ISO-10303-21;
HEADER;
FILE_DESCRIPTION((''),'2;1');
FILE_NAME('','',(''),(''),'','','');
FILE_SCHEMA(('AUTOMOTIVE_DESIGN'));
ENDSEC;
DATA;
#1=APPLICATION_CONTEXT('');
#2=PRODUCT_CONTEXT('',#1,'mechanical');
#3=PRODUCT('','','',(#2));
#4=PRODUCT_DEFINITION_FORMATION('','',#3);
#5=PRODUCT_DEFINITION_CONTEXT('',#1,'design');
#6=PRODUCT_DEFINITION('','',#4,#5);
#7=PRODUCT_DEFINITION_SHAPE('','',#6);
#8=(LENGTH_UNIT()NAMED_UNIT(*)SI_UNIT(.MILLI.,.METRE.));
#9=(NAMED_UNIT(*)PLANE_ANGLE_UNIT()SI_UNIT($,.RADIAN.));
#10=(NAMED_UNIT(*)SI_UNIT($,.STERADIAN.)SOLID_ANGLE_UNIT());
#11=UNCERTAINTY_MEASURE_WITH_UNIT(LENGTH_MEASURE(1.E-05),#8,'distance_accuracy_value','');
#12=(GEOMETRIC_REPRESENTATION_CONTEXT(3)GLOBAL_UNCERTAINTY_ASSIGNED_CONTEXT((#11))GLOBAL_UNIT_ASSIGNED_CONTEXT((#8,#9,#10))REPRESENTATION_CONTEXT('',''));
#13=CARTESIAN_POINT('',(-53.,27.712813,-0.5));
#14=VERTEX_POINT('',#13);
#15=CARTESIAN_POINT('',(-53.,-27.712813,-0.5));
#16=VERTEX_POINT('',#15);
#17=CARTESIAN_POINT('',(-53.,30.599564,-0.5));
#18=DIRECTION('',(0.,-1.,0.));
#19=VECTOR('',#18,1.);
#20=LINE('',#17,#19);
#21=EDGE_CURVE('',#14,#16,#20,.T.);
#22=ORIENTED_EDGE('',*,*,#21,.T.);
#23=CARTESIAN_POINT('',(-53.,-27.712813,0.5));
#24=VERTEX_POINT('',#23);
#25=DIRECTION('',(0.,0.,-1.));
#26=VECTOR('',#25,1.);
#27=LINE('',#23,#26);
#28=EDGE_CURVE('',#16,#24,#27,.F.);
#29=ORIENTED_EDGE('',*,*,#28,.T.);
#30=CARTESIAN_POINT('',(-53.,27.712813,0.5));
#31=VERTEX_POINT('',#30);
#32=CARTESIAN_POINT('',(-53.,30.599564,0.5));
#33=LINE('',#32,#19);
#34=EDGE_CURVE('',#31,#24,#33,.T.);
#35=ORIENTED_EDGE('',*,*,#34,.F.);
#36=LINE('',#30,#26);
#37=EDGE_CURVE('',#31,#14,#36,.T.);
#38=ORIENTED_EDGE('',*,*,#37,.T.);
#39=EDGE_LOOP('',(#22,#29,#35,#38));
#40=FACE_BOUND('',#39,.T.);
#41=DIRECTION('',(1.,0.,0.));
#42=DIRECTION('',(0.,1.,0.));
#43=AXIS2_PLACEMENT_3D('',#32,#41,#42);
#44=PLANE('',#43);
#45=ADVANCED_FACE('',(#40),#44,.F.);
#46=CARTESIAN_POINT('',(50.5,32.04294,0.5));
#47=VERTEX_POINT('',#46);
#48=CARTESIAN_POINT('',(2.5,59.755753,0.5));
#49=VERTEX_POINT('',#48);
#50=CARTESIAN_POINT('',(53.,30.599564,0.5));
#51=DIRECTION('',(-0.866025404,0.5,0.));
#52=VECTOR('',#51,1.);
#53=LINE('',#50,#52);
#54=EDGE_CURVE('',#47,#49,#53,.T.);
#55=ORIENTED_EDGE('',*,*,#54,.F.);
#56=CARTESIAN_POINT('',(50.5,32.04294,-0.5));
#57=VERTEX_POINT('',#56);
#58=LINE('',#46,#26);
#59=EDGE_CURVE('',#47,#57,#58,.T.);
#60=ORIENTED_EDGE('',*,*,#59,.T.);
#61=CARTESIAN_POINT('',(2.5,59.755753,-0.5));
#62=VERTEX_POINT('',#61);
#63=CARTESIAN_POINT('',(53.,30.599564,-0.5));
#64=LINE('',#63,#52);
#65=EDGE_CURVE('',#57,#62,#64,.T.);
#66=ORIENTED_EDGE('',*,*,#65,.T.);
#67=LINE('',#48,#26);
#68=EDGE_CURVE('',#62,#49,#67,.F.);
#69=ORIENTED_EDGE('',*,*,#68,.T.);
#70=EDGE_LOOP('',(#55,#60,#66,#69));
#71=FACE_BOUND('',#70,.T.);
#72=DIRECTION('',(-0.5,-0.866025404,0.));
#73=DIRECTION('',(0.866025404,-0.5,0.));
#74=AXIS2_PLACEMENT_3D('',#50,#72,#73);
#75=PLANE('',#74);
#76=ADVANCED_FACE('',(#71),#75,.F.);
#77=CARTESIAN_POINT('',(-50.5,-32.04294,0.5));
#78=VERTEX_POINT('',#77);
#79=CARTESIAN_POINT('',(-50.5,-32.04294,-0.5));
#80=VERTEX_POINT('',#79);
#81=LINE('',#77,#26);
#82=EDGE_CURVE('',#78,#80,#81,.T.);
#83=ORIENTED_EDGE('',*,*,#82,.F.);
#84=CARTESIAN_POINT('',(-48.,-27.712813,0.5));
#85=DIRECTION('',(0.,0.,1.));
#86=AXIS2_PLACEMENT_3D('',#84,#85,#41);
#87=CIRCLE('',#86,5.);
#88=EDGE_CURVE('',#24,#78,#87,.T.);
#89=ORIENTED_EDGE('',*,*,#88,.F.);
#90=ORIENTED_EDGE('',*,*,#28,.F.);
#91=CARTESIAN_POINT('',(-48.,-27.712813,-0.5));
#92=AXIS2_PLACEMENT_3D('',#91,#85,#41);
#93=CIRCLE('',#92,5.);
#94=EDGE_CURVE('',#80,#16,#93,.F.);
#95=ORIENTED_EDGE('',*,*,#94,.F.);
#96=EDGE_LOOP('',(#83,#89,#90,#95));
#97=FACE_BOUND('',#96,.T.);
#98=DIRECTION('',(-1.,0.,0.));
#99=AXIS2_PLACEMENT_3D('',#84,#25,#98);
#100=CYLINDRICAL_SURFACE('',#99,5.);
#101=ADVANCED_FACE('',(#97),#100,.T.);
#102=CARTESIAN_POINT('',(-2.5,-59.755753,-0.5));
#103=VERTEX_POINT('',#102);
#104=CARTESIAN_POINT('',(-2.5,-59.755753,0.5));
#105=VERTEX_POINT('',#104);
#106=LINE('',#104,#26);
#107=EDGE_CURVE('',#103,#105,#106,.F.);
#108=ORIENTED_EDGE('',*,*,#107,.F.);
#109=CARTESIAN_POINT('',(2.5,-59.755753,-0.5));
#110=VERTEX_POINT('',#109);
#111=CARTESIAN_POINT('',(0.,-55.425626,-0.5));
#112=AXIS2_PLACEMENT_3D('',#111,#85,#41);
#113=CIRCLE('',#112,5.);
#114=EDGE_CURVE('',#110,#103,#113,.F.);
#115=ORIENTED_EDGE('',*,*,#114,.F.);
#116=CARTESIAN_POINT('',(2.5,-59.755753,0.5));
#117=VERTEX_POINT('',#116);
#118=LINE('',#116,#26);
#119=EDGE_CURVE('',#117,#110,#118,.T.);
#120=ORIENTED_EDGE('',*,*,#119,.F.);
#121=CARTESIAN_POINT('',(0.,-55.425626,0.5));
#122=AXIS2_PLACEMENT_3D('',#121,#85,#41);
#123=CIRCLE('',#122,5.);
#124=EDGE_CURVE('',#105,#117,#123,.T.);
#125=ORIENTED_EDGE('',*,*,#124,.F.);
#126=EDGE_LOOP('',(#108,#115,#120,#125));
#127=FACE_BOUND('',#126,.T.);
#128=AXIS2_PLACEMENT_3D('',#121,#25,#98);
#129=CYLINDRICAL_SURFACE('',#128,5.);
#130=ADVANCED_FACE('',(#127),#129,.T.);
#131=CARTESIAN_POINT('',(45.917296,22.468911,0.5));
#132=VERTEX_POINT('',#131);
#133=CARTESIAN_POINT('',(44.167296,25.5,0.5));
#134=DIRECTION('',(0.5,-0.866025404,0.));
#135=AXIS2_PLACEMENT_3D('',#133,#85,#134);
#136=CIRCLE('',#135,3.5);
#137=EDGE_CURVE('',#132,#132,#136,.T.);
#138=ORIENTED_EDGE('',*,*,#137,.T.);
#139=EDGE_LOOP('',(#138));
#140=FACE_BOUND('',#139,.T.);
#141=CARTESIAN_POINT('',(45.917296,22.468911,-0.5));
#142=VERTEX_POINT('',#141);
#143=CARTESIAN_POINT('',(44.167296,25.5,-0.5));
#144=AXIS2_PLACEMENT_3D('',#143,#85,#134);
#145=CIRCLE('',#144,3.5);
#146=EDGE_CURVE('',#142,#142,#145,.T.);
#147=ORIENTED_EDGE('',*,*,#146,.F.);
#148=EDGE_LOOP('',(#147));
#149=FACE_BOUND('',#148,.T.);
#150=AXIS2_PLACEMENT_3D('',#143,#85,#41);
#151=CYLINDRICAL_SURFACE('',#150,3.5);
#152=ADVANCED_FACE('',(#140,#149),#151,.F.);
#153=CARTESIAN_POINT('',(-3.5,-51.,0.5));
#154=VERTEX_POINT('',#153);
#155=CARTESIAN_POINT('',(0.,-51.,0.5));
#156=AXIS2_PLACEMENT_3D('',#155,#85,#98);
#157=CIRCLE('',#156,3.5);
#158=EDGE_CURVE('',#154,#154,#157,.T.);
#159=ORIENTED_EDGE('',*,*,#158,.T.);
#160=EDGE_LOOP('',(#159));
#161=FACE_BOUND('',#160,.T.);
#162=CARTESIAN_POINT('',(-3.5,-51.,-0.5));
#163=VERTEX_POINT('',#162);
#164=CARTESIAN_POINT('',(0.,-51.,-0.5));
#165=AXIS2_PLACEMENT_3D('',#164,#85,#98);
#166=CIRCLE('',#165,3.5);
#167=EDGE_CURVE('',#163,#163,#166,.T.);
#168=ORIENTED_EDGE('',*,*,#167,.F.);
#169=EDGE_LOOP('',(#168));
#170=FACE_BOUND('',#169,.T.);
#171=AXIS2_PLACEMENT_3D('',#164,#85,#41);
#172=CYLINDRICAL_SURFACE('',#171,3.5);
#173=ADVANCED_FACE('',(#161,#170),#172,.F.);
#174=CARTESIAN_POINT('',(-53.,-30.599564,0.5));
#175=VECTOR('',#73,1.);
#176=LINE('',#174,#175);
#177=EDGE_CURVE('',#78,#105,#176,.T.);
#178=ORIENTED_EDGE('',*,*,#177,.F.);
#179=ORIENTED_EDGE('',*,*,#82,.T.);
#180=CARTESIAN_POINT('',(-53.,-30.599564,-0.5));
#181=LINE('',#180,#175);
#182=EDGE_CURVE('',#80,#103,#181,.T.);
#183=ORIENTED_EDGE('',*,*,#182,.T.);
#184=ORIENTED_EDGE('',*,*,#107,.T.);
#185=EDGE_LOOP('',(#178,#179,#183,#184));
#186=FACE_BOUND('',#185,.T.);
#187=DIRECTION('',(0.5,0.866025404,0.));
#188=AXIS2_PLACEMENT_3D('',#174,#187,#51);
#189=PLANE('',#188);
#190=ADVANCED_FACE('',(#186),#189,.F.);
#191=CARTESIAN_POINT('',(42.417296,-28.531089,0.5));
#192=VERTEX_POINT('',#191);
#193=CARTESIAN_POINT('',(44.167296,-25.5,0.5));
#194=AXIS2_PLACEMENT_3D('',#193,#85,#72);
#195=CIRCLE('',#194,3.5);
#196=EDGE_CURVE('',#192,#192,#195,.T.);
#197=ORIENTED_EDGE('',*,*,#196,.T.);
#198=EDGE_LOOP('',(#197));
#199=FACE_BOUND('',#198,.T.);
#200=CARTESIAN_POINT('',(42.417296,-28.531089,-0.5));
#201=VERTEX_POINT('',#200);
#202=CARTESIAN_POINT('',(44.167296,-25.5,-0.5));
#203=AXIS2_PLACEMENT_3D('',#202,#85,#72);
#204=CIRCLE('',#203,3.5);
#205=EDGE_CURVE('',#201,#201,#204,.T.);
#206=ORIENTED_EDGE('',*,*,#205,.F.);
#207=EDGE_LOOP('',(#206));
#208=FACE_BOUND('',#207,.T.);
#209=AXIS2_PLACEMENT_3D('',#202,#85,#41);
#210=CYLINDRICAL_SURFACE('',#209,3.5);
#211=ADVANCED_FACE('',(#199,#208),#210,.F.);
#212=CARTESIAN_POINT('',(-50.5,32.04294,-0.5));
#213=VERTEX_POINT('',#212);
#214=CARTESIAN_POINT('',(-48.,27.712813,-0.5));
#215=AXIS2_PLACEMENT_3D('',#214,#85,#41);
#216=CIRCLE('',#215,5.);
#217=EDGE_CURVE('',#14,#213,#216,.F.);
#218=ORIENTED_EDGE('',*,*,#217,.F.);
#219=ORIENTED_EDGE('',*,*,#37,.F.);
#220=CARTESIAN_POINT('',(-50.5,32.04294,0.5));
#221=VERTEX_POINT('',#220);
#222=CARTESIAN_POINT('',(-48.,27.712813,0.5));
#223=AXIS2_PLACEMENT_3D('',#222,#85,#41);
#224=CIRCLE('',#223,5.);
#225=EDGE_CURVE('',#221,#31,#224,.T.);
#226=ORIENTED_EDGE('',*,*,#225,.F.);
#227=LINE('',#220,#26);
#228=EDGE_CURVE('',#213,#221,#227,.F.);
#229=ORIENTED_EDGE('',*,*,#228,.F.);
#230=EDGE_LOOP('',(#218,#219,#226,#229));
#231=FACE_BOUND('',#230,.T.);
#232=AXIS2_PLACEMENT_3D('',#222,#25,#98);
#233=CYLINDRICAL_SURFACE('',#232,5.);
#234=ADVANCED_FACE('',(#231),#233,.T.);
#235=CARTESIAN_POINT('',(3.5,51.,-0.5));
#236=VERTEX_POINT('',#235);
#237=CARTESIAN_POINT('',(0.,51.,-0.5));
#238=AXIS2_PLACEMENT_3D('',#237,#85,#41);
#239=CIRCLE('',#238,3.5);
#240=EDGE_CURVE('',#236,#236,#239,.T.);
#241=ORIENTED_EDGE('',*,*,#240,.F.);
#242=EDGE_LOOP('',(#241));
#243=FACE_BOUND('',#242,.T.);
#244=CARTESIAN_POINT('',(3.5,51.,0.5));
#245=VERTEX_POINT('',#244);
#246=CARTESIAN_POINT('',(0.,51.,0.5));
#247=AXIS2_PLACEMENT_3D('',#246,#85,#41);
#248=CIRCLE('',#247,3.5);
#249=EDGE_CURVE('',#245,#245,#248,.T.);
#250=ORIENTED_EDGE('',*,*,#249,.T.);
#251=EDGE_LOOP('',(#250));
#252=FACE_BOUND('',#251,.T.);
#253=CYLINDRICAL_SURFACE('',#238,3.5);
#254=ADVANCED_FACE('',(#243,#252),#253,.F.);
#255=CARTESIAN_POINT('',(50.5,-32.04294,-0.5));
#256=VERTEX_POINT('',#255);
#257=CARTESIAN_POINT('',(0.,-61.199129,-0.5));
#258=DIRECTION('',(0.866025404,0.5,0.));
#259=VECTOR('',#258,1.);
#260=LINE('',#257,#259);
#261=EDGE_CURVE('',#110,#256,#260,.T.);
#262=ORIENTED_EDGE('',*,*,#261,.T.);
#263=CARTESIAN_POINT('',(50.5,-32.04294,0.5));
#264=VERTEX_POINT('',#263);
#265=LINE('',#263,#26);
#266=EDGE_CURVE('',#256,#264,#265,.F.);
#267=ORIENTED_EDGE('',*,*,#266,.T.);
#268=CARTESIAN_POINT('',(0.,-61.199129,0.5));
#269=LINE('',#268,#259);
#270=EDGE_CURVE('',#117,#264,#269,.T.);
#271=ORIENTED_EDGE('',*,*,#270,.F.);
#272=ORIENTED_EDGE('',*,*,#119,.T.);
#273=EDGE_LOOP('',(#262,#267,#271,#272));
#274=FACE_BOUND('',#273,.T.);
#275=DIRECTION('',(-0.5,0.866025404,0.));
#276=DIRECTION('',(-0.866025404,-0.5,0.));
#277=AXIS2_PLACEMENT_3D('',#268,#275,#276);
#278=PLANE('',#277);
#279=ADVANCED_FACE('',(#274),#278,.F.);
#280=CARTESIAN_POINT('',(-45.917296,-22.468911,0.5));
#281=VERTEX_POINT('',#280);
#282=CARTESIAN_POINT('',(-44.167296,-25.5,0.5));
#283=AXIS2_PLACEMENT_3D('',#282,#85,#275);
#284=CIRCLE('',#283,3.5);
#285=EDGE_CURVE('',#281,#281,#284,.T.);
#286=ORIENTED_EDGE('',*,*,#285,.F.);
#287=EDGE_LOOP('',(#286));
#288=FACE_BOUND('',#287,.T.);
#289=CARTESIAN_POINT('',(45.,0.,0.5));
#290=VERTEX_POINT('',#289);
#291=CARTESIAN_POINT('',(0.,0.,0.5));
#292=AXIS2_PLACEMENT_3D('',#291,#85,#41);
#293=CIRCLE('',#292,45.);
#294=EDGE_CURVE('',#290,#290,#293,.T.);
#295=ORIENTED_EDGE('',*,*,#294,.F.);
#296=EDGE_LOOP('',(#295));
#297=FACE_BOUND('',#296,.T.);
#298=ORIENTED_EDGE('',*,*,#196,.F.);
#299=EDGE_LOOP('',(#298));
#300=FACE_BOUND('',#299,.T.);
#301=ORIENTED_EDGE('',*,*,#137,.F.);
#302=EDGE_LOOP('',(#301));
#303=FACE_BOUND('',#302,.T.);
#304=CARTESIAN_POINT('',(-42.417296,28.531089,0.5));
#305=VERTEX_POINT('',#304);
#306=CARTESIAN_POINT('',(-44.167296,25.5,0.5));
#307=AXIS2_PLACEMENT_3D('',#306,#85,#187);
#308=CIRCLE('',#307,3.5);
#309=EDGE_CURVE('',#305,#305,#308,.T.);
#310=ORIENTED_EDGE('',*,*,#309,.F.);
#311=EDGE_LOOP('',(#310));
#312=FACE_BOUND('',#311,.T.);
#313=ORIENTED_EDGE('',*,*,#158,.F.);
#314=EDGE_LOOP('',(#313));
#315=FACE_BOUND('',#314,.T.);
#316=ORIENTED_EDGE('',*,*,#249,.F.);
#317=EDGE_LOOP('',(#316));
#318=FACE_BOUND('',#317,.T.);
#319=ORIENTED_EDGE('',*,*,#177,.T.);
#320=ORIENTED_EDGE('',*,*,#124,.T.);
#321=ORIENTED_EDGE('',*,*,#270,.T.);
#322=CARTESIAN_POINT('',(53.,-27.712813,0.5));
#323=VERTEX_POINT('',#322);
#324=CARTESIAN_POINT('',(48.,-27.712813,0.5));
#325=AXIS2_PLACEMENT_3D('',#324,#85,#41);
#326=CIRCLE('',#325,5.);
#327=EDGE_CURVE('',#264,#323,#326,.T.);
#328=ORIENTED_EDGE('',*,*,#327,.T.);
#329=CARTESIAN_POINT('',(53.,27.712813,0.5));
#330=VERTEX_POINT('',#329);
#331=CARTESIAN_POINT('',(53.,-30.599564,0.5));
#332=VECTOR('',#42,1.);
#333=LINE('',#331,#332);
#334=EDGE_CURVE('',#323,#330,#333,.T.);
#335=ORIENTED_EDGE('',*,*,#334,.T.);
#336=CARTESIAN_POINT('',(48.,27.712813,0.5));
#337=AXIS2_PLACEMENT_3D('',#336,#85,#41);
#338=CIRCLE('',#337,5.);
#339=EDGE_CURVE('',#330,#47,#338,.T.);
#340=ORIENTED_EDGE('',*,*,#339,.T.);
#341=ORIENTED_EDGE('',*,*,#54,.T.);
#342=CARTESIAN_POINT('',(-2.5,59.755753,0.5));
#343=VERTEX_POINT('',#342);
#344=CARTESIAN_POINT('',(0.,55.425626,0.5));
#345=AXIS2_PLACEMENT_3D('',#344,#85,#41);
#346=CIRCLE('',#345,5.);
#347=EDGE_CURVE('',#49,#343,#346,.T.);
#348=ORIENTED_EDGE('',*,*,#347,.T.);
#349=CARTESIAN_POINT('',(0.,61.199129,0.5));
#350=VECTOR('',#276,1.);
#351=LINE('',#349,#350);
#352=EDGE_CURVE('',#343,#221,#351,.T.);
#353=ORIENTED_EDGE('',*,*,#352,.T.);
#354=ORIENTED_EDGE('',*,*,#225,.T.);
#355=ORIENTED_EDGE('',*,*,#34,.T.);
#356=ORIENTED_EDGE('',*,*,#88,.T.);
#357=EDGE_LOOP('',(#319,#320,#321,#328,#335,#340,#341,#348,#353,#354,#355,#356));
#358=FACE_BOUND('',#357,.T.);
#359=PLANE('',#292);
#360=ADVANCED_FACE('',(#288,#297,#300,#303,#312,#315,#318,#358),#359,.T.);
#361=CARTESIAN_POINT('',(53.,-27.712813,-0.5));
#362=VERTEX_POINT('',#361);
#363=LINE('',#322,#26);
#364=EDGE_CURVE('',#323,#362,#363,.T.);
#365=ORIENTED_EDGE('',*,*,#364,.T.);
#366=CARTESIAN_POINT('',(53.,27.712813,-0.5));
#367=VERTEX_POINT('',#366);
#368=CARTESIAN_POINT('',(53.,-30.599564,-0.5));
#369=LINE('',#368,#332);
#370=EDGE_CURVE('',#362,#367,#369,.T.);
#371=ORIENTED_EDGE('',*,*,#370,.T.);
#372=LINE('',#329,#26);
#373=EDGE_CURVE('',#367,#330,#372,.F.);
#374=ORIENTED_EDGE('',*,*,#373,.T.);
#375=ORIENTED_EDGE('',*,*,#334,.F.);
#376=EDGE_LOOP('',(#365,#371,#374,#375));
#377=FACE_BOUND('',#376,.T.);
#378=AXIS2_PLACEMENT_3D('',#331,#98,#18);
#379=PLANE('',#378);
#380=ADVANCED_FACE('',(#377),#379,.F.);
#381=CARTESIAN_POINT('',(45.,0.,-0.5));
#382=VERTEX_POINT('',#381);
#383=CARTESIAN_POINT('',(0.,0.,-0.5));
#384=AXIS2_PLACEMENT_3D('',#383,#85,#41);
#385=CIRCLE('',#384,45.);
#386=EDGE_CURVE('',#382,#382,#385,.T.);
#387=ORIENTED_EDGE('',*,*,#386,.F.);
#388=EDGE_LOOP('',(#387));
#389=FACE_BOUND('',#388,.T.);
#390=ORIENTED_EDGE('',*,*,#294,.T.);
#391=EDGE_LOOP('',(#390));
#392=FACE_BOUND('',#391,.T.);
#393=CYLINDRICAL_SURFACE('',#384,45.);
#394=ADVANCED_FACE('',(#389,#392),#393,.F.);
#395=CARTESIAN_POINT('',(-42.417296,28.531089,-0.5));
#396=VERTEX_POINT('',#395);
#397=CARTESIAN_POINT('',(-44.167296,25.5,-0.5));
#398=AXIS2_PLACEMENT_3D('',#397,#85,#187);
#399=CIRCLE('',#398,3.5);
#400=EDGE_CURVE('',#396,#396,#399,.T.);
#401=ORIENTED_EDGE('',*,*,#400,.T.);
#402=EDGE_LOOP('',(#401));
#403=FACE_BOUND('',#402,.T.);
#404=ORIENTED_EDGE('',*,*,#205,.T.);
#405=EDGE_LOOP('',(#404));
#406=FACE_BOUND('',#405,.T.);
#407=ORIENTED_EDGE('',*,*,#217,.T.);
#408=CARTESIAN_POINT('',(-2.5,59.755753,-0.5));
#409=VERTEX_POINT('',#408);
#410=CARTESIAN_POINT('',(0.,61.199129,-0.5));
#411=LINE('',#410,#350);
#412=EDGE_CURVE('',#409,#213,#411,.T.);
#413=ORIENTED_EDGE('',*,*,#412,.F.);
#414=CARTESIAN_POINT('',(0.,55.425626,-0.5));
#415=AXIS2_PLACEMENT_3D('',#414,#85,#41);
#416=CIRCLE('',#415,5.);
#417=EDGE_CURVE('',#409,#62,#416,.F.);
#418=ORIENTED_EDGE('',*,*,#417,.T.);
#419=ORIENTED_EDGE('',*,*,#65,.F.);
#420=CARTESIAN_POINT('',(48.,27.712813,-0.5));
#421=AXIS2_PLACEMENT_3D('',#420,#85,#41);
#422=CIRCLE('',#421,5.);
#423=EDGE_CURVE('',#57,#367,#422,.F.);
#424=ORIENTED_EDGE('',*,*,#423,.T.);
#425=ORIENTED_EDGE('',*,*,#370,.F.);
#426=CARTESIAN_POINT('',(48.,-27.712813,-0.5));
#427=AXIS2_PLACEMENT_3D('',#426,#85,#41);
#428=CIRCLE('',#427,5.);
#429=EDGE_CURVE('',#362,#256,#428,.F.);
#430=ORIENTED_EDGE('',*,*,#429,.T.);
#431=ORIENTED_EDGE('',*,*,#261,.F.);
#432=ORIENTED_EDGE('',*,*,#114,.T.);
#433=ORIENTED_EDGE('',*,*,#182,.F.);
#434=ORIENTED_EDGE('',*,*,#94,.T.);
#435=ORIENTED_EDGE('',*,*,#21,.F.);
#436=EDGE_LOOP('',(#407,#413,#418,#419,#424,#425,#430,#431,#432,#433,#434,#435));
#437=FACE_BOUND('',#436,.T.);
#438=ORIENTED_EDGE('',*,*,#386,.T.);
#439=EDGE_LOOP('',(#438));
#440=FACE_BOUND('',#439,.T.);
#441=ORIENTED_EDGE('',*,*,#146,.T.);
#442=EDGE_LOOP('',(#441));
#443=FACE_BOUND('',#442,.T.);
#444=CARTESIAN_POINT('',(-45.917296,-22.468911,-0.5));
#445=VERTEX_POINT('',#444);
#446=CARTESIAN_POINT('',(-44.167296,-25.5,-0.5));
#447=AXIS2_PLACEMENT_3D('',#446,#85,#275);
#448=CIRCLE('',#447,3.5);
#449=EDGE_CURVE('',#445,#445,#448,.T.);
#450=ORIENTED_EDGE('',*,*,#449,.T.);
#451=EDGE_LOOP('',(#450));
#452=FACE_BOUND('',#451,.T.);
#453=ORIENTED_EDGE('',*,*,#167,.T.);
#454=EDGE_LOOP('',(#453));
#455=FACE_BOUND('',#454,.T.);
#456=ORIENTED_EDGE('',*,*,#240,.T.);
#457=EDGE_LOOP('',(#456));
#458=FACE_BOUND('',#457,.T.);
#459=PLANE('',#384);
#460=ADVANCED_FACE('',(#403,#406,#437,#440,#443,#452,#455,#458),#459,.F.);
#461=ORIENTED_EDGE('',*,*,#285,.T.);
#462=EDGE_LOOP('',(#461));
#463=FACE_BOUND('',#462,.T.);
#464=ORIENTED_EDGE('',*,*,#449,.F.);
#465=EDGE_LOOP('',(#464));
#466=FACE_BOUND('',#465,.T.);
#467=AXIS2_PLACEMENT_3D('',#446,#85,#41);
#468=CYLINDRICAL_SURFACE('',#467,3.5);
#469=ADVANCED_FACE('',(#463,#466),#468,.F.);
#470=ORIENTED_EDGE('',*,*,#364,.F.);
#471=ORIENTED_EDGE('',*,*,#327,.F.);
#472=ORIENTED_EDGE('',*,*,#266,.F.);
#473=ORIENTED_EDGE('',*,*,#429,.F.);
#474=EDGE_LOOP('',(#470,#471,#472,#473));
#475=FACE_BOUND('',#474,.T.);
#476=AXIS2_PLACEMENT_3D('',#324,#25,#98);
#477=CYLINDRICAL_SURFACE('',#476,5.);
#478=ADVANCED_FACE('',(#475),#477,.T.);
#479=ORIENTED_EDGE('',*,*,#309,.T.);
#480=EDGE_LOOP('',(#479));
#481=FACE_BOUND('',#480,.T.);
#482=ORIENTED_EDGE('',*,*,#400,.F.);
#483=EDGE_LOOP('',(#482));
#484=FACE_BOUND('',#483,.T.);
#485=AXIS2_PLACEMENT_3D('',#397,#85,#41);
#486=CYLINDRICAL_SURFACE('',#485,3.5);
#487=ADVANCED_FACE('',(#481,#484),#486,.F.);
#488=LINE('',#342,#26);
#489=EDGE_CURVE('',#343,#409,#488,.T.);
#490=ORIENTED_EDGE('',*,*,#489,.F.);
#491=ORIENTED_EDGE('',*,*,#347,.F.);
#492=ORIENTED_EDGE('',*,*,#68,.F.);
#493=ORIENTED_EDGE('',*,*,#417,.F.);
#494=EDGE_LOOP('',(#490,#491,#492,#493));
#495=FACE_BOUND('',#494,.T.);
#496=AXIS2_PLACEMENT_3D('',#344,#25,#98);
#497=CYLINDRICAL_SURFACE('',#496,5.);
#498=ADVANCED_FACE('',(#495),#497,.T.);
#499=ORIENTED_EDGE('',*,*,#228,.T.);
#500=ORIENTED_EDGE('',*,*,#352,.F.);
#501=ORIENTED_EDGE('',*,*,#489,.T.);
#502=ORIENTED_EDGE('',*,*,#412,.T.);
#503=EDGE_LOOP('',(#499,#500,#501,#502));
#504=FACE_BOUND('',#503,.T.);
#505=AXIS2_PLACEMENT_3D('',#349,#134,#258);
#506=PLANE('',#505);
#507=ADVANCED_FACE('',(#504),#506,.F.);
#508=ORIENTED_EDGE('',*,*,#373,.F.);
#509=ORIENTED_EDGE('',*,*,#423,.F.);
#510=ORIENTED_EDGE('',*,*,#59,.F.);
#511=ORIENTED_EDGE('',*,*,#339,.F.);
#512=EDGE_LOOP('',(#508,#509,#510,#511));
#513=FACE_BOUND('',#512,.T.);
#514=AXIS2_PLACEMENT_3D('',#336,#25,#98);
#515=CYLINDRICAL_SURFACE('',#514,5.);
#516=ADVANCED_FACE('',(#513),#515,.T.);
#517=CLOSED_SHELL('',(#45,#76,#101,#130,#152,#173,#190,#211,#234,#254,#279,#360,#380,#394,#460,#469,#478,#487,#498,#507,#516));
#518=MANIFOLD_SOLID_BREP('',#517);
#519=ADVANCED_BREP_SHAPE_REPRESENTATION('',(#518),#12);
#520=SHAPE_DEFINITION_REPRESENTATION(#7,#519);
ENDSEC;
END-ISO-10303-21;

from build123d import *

# Parameters (mm, degrees)
BODY_DEPTH        = 0.5
SKETCH2_R         = 45
CENTER_HOLE_DEPTH = 0.5
SKETCH3_R         = 3.5
OUTER_HOLES_DEPTH = 0.5
CIRPATTERN1_COUNT = 6
R5_FILLETS_R      = 5


with BuildPart() as part:
    # Sketch1 → Body (new body, symmetric)
    with BuildSketch(Plane.XY):
        Polygon((0, 61.199128534), (-53, 30.599564267), (-53, -30.599564267), (0, -61.199128534), (53, -30.599564267), (53, 30.599564267), align=None)
    extrude(amount=BODY_DEPTH, both=True)

    # Sketch2 → Center Hole (cut, symmetric)
    with BuildSketch(Plane.XY):
        Circle(SKETCH2_R)
    extrude(amount=CENTER_HOLE_DEPTH, both=True, mode=Mode.SUBTRACT)

    # Sketch3 → Outer Holes (cut, symmetric)
    with BuildSketch(Plane.XY):
        with Locations((0, 51)):
            Circle(SKETCH3_R)
    outer_holes = extrude(amount=OUTER_HOLES_DEPTH, both=True, mode=Mode.SUBTRACT)

    # CirPattern1: Outer Holes ×6 about axis
    cirpattern1_axis = Axis((0, 0, 0), (0, 0, 1))
    for i in range(1, CIRPATTERN1_COUNT):
        add(outer_holes.rotate(cirpattern1_axis, i * 360 / CIRPATTERN1_COUNT), mode=Mode.SUBTRACT)

    # R5 Fillets
    r5_fillets_edges = [part.edges().sort_by_distance(p)[0] for p in [
        (53, 30.599564267, 0),
        (53, -30.599564267, 0),
        (0, -61.199128534, 0),
        (-53, -30.599564267, 0),
        (-53, 30.599564267, 0),
        (0, 61.199128534, 0),
    ]]
    fillet(r5_fillets_edges, radius=R5_FILLETS_R)


solid = part.part
